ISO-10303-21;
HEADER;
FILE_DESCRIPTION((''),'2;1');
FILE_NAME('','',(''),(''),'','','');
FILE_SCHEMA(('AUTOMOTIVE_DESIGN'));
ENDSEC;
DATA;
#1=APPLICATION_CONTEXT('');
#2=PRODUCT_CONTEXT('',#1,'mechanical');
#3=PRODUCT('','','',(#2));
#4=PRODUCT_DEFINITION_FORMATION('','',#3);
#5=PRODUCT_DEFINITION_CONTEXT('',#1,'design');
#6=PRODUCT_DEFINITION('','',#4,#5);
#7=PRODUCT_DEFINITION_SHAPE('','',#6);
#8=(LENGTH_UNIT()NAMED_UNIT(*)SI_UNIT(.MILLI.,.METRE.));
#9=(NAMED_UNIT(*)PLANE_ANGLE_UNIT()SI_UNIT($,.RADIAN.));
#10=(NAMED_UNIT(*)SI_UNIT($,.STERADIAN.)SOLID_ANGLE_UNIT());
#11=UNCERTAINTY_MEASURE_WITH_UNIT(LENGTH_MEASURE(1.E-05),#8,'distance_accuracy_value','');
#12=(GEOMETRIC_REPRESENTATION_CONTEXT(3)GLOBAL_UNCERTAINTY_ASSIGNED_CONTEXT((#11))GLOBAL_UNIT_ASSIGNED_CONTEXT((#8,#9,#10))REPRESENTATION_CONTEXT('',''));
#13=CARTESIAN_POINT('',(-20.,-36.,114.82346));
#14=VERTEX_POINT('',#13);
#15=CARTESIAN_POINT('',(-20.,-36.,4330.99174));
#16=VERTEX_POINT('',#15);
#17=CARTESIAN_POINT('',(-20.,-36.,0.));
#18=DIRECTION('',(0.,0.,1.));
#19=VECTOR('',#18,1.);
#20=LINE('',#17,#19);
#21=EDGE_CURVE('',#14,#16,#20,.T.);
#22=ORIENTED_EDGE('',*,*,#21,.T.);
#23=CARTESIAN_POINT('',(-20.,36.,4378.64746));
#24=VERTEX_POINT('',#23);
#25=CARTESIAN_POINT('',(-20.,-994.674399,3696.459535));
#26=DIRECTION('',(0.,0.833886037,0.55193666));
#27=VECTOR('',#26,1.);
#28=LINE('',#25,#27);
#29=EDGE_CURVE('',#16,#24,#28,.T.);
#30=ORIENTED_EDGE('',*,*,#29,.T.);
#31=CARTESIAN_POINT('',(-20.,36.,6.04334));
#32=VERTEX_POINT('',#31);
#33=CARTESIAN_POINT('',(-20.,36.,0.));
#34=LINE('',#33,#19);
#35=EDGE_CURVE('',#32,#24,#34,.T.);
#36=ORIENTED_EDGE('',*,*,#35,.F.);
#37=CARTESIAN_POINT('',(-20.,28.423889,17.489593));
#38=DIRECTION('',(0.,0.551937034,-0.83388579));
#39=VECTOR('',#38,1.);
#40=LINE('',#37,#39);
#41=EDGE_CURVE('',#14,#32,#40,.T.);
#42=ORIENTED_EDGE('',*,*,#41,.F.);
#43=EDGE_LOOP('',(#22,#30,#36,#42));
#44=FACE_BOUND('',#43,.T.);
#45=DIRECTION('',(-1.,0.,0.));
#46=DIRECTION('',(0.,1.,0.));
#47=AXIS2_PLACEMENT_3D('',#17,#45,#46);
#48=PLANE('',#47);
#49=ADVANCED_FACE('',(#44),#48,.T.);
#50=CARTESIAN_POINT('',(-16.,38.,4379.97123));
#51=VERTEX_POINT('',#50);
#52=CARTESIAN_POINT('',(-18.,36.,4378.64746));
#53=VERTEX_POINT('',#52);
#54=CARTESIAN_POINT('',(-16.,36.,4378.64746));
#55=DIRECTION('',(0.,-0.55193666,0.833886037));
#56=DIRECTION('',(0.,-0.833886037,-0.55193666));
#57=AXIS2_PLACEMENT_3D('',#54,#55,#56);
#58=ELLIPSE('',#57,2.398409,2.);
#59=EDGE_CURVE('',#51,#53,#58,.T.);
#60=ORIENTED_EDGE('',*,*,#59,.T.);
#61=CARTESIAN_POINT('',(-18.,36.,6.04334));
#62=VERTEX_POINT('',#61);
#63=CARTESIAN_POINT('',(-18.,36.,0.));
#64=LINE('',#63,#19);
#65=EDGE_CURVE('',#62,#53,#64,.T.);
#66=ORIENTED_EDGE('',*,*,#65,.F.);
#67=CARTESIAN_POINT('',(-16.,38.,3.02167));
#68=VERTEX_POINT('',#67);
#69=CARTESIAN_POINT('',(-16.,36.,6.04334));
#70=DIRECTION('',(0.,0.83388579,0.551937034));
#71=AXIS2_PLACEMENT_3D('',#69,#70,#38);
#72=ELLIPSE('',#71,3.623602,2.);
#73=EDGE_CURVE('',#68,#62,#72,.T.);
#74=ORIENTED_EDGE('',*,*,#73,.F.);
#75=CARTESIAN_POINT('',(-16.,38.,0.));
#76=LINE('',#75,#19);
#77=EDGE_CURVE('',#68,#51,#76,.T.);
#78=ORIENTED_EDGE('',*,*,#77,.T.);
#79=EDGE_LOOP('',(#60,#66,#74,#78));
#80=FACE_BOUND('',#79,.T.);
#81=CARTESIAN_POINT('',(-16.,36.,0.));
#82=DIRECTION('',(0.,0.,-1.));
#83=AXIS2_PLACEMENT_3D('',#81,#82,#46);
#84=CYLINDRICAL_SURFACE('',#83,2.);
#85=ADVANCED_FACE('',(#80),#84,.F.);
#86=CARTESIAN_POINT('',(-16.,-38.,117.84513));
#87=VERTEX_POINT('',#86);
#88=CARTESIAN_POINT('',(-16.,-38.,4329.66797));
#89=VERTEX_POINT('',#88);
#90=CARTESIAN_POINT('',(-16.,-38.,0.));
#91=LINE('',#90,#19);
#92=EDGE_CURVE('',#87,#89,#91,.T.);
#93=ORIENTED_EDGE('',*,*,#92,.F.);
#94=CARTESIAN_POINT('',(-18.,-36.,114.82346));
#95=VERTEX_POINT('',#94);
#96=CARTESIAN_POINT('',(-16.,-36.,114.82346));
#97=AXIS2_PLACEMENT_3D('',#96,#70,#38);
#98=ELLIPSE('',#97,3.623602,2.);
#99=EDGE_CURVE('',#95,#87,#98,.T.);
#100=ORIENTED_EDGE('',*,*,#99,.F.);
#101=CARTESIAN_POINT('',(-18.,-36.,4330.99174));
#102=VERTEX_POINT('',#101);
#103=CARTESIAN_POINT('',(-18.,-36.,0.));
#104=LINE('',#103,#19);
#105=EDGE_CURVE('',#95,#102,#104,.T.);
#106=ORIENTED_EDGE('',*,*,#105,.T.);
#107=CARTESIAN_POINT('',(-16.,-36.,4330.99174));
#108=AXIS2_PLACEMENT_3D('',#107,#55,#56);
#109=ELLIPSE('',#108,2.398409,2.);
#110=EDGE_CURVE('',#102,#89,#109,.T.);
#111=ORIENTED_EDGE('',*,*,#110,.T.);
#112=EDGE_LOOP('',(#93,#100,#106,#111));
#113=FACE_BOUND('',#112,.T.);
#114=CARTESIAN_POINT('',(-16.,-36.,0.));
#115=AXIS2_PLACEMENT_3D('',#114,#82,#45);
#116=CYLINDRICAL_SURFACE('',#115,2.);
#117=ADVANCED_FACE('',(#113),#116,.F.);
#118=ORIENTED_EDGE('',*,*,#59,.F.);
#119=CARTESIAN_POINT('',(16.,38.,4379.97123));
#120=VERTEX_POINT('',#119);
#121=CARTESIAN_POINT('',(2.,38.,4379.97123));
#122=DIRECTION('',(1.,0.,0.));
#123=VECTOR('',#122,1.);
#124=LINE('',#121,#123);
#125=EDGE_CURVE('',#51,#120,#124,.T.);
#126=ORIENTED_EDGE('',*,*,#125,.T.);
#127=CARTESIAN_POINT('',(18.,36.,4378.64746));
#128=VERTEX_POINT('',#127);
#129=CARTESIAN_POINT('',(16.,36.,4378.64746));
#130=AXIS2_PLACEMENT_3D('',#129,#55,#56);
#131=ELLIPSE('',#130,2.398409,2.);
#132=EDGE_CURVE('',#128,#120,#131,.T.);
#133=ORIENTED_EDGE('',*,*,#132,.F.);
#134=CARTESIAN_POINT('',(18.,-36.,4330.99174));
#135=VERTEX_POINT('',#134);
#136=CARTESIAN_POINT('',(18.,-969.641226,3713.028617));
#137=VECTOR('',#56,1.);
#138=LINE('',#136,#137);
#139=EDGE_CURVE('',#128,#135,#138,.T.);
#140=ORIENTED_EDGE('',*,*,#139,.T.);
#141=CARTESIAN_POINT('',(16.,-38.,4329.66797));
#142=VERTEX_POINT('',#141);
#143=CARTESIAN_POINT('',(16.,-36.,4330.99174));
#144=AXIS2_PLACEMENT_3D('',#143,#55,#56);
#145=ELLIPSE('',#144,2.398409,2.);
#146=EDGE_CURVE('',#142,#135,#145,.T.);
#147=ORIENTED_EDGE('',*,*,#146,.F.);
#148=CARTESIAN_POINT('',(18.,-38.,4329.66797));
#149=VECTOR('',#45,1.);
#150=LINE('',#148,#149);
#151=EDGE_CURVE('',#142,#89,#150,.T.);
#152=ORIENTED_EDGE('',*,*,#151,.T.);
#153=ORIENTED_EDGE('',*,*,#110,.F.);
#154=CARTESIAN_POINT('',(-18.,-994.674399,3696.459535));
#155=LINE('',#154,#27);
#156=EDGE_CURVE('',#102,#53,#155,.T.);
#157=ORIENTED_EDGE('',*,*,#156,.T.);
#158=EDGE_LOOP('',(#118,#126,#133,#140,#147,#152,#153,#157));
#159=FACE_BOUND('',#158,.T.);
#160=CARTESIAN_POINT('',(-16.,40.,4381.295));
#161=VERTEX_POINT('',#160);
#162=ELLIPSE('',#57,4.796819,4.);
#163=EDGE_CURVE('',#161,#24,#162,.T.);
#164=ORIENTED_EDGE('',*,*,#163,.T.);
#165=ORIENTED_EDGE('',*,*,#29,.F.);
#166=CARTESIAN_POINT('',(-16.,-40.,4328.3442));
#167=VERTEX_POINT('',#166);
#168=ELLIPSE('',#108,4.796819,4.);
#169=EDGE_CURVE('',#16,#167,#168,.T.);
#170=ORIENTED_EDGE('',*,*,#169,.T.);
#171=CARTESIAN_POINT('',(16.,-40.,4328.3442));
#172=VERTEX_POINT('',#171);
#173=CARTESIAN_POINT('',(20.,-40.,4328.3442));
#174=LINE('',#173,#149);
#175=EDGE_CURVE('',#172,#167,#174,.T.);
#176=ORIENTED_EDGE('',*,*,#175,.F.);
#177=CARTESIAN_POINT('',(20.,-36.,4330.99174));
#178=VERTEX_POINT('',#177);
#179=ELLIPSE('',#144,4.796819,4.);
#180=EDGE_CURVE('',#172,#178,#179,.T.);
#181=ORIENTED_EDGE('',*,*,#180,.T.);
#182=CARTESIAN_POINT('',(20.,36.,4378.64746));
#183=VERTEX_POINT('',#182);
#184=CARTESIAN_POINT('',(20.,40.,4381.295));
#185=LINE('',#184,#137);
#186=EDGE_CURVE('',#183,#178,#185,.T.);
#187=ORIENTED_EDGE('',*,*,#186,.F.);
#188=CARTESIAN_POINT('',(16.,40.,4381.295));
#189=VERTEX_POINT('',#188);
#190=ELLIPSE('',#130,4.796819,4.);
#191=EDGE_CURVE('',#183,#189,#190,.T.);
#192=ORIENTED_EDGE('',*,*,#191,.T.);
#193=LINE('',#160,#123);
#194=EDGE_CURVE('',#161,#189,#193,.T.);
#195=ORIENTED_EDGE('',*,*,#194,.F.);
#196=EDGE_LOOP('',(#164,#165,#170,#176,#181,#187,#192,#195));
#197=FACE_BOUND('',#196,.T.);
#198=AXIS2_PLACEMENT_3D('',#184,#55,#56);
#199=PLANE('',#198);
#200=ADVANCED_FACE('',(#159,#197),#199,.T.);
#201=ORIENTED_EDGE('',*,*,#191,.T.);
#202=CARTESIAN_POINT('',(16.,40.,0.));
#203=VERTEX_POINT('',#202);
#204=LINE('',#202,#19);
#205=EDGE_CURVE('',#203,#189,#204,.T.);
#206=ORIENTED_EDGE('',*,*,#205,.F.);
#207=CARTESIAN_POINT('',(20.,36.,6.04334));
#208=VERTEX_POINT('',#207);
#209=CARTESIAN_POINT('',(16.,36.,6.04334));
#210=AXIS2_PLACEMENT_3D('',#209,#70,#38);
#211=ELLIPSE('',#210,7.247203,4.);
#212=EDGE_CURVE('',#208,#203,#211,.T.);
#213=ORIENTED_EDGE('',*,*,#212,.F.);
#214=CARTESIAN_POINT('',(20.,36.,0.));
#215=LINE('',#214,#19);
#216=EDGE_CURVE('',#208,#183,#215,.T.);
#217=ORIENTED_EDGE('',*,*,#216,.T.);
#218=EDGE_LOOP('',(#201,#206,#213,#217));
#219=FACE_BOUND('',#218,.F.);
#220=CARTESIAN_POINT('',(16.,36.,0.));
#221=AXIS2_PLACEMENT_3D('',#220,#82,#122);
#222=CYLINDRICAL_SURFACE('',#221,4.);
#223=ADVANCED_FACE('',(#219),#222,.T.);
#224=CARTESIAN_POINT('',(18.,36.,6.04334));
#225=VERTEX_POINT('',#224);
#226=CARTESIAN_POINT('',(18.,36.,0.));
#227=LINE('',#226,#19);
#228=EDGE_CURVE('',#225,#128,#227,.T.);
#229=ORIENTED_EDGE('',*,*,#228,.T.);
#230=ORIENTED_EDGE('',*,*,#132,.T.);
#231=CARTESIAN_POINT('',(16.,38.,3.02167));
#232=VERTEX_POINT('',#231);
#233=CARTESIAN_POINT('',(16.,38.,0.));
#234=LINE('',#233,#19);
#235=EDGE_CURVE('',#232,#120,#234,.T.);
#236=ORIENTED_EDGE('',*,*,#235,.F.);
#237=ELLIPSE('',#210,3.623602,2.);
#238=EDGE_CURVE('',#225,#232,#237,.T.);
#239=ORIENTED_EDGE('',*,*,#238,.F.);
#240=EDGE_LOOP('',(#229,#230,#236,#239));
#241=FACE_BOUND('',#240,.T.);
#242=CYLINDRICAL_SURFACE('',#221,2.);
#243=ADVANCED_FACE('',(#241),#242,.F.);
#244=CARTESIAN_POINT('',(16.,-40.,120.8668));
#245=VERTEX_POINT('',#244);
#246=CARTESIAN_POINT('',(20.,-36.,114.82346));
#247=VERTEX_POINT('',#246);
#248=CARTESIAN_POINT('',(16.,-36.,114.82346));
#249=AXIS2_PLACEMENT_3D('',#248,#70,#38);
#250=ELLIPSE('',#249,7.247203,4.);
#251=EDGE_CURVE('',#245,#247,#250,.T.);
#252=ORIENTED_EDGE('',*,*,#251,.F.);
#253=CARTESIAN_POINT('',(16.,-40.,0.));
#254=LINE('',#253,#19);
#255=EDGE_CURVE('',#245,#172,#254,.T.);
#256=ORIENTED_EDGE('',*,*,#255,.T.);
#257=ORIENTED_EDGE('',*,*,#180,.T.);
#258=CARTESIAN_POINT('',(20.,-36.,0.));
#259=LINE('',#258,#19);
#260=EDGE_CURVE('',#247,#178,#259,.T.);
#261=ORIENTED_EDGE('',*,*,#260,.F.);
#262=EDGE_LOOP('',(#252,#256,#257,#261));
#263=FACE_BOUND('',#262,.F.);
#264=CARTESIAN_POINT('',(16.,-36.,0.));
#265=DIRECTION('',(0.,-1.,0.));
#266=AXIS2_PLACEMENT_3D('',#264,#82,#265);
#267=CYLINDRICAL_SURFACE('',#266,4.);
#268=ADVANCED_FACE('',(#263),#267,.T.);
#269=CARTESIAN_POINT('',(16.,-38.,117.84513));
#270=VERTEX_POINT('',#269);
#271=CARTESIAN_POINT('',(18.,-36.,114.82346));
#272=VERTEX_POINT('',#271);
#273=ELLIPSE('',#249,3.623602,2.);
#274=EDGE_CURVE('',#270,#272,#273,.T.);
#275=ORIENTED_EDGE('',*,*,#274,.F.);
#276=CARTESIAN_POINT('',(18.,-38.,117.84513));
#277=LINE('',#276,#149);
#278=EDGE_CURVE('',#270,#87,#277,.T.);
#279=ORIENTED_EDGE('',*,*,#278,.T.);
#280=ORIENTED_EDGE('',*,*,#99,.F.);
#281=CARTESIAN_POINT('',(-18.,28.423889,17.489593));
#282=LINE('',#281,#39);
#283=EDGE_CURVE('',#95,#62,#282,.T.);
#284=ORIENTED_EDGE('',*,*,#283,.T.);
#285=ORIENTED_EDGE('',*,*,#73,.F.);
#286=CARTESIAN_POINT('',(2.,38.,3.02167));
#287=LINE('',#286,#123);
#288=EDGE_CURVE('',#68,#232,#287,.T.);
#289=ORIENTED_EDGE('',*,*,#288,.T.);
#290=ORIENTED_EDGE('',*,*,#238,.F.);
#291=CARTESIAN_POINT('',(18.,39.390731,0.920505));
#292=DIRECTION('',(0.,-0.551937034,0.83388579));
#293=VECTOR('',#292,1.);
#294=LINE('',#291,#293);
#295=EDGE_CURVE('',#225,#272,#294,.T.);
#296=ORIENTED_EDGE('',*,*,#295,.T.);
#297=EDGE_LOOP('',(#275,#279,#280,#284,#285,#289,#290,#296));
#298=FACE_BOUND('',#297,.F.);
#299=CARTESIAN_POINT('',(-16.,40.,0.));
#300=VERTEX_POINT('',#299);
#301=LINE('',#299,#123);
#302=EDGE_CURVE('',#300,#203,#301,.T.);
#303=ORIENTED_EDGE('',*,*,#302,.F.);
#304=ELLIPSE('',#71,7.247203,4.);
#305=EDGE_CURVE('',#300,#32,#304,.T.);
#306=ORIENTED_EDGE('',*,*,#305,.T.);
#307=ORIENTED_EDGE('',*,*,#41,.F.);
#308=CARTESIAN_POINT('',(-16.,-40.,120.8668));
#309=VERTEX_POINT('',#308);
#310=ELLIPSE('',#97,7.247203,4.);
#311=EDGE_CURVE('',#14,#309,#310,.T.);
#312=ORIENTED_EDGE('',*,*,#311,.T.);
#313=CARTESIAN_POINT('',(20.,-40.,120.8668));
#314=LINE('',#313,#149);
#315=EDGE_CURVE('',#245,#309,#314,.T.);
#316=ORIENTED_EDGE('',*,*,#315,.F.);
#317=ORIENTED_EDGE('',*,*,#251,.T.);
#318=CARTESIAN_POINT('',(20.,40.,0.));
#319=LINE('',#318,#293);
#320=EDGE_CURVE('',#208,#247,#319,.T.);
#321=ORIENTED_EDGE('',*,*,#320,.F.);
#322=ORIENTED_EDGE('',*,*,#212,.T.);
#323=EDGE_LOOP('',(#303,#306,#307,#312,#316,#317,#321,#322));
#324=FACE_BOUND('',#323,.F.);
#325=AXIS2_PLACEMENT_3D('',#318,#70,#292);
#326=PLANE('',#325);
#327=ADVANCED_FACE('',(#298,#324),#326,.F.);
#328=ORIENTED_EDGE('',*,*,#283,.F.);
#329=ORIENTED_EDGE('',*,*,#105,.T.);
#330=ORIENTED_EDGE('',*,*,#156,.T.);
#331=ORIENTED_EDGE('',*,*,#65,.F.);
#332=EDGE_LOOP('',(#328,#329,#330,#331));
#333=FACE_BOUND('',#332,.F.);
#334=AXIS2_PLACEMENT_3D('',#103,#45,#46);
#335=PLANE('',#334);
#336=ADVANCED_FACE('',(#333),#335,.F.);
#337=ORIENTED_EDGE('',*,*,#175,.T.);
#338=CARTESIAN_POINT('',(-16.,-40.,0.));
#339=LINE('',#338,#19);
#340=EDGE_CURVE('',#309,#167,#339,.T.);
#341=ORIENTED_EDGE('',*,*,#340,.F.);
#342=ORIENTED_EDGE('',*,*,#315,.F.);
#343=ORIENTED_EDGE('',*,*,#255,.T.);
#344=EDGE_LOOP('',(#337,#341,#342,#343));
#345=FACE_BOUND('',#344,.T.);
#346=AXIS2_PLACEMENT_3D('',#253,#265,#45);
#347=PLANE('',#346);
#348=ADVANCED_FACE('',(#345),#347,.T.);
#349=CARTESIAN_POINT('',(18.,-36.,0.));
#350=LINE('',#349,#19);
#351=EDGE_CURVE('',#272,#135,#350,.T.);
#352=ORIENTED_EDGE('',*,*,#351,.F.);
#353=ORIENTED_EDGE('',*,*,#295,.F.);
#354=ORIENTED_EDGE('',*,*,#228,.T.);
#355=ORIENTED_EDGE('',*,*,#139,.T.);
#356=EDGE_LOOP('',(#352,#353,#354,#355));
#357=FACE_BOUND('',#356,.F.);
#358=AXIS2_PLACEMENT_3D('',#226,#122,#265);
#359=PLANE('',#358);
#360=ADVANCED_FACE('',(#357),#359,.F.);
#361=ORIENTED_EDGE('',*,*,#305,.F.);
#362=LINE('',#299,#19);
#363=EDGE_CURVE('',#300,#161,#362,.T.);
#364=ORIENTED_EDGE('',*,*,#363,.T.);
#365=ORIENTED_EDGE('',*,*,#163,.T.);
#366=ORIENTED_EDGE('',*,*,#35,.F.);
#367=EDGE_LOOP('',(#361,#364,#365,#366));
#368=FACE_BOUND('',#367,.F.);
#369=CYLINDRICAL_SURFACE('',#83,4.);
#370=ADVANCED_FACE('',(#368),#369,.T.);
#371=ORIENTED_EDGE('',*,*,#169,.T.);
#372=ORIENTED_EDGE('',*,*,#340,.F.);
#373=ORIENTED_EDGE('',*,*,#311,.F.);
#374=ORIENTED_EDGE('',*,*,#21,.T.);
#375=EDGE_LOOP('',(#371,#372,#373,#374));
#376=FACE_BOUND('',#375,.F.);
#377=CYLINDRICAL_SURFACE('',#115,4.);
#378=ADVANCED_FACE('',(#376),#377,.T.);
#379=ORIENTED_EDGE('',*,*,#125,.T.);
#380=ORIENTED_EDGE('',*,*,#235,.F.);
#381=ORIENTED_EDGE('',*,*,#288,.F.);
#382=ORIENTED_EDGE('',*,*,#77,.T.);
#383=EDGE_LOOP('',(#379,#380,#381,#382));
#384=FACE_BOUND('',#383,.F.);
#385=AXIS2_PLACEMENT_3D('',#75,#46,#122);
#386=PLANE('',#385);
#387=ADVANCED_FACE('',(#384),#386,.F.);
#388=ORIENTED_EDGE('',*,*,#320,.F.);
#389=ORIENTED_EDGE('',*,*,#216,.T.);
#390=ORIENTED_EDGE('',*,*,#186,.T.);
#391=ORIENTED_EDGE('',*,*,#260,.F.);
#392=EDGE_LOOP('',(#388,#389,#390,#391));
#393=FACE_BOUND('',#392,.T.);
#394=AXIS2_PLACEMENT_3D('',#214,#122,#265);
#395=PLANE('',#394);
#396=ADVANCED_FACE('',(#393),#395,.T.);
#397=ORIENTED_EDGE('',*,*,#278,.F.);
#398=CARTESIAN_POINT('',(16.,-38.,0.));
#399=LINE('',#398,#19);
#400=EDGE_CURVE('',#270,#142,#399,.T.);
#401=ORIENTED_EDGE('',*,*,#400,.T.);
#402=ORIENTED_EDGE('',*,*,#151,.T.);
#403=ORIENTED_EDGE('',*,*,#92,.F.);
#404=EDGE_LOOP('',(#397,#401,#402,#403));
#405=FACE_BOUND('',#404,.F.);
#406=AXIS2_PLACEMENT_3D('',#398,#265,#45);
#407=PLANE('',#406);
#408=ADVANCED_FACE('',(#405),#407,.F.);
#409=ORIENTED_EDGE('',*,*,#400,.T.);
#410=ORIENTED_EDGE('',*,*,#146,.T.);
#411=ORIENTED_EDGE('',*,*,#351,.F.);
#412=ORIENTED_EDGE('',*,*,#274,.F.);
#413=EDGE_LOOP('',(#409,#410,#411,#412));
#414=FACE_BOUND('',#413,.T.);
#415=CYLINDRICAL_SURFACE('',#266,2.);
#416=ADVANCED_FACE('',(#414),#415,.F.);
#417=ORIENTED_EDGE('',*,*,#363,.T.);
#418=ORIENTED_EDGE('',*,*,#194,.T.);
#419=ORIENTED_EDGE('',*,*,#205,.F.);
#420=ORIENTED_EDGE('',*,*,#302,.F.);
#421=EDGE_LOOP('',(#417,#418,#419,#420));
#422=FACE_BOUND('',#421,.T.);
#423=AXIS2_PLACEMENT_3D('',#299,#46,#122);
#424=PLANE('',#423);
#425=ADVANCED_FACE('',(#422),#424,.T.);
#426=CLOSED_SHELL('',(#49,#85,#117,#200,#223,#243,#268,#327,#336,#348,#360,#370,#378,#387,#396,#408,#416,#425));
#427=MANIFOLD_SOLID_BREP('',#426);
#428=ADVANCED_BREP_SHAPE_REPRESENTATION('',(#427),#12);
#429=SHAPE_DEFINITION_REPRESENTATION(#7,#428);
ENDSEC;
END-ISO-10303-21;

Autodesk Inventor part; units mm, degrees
ref_plane "YZ Plane" through (0, 0, 0) normal (1, 0, 0) x (0, 1, 0)
ref_plane "Start plane" through (0, 0, 0) normal (0, 0, 1) x (1, 0, 0)
ref_plane "End plane" through (0, 0, 4381.295) normal (0, 0, 1) x (1, 0, 0)
sketch "Sketch" plane through (0, 0, 0) normal (0, 0, 1) x (1, 0, 0)
  line L0 (-20, -36) -> (-20, 36)
  line L1 (-16, 40) -> (16, 40)
  line L2 (20, 36) -> (20, -36)
  line L3 (16, -40) -> (-16, -40)
  arc A0 (-20, -36) -> (-16, -40) centre (-16, -36) ccw
  arc A1 (20, 36) -> (16, 40) centre (16, 36) ccw
  arc A2 (-16, 40) -> (-20, 36) centre (-16, 36) ccw
  arc A3 (16, -40) -> (20, -36) centre (16, -36) ccw
  arc A4 (-16, 38) -> (-18, 36) centre (-16, 36) ccw
  line L4 (-16, 38) -> (16, 38)
  arc A5 (18, 36) -> (16, 38) centre (16, 36) ccw
  line L5 (18, 36) -> (18, -36)
  arc A6 (16, -38) -> (18, -36) centre (16, -36) ccw
  line L6 (16, -38) -> (-16, -38)
  arc A7 (-18, -36) -> (-16, -38) centre (-16, -36) ccw
  line L7 (-18, -36) -> (-18, 36)
  line L8 (0, 37.1021) -> (0, -37.1021) construction
  line L9 (-23.1021, 0) -> (23.1021, 0) construction
  dimension "d7" = 4
  dimension "d9" = 40
  dimension "d11" = 80
  dimension "d12" = 2
  dimension "d15" = 20
  dimension "d16" = 40
extrude "Body" add sketch "Sketch" along normal up to surface (4381.295 mm away) from surface at 0
sketch "Sketch3" plane through (0, 0, 0) normal (0, 0, 1) x (1, 0, 0)
  line L0 (0, 0) -> (10, 0)
ref_plane "Work Plane3" through (0, 0, 0) normal (0, -1, 0) x (1, 0, 0)
sketch "Sketch5" plane through (20, -36, 4381.295) normal (1, 0, 0) x (0, 0, -1)
  line L0 (4381.295, 76) -> (0, 76) projected
  line L1 (4381.295, 72) -> (4381.295, 76) projected
  line L2 (4381.295, 72) -> (4381.295, 0) projected
  line L3 (4381.295, -4) -> (4381.295, 0) projected
  line L4 (4381.295, -4) -> (0, -4) projected
  line L5 (4381.295, 76) -> (4260.4282, -4)
  line L6 (0, 72) -> (0, 76) projected
  line L7 (0, 72) -> (0, 0) projected
  line L8 (0, -4) -> (0, 0) projected
  line L9 (0, 76) -> (52.9508, -4)
  point P0 (4381.295, 36)
  dimension "d19" = 56.5
  dimension "d20" = 33.5
extrude "Extrusion2" cut sketch "Sketch5" against normal through all contours L1 L2 L3 L4 L5 | L9 L4 L8 L7 L6
sketch "Sketch4" plane through (0, 0, 0) normal (0, -1, 0) x (1, 0, 0)
  line L0 (-2, 0) -> (12, 0) projected
  line L1 (-2, 4381.295) -> (12, 4381.295) projected
  dimension "d18" = 4381.295
equation "\"d7\" = G_IR"
equation "\"d9\" = G_W"
equation "\"d11\" = G_H"
equation "\"d12\" = G_T"
equation "\"d15\" = 0.5 * d9"
equation "\"d16\" = 0.5 * d11"
equation "\"d3\" = G_L"
equation "\"G_W\" = 40"
equation "\"G_H\" = 80"
equation "\"G_T\" = 2"
equation "\"G_IR\" = 4"
equation "\"G_L\" = d18"
equation "\"G_OFFSET_START\" = 0"
equation "\"G_OFFSET_END\" = 0"
equation "\"d14\" = G_OFFSET_END + B_L"
equation "\"B_L\" = 4381.295"
properties part number "ISO 4019 - 80x40x2 - 4381,295" material "Steel, Mild"
